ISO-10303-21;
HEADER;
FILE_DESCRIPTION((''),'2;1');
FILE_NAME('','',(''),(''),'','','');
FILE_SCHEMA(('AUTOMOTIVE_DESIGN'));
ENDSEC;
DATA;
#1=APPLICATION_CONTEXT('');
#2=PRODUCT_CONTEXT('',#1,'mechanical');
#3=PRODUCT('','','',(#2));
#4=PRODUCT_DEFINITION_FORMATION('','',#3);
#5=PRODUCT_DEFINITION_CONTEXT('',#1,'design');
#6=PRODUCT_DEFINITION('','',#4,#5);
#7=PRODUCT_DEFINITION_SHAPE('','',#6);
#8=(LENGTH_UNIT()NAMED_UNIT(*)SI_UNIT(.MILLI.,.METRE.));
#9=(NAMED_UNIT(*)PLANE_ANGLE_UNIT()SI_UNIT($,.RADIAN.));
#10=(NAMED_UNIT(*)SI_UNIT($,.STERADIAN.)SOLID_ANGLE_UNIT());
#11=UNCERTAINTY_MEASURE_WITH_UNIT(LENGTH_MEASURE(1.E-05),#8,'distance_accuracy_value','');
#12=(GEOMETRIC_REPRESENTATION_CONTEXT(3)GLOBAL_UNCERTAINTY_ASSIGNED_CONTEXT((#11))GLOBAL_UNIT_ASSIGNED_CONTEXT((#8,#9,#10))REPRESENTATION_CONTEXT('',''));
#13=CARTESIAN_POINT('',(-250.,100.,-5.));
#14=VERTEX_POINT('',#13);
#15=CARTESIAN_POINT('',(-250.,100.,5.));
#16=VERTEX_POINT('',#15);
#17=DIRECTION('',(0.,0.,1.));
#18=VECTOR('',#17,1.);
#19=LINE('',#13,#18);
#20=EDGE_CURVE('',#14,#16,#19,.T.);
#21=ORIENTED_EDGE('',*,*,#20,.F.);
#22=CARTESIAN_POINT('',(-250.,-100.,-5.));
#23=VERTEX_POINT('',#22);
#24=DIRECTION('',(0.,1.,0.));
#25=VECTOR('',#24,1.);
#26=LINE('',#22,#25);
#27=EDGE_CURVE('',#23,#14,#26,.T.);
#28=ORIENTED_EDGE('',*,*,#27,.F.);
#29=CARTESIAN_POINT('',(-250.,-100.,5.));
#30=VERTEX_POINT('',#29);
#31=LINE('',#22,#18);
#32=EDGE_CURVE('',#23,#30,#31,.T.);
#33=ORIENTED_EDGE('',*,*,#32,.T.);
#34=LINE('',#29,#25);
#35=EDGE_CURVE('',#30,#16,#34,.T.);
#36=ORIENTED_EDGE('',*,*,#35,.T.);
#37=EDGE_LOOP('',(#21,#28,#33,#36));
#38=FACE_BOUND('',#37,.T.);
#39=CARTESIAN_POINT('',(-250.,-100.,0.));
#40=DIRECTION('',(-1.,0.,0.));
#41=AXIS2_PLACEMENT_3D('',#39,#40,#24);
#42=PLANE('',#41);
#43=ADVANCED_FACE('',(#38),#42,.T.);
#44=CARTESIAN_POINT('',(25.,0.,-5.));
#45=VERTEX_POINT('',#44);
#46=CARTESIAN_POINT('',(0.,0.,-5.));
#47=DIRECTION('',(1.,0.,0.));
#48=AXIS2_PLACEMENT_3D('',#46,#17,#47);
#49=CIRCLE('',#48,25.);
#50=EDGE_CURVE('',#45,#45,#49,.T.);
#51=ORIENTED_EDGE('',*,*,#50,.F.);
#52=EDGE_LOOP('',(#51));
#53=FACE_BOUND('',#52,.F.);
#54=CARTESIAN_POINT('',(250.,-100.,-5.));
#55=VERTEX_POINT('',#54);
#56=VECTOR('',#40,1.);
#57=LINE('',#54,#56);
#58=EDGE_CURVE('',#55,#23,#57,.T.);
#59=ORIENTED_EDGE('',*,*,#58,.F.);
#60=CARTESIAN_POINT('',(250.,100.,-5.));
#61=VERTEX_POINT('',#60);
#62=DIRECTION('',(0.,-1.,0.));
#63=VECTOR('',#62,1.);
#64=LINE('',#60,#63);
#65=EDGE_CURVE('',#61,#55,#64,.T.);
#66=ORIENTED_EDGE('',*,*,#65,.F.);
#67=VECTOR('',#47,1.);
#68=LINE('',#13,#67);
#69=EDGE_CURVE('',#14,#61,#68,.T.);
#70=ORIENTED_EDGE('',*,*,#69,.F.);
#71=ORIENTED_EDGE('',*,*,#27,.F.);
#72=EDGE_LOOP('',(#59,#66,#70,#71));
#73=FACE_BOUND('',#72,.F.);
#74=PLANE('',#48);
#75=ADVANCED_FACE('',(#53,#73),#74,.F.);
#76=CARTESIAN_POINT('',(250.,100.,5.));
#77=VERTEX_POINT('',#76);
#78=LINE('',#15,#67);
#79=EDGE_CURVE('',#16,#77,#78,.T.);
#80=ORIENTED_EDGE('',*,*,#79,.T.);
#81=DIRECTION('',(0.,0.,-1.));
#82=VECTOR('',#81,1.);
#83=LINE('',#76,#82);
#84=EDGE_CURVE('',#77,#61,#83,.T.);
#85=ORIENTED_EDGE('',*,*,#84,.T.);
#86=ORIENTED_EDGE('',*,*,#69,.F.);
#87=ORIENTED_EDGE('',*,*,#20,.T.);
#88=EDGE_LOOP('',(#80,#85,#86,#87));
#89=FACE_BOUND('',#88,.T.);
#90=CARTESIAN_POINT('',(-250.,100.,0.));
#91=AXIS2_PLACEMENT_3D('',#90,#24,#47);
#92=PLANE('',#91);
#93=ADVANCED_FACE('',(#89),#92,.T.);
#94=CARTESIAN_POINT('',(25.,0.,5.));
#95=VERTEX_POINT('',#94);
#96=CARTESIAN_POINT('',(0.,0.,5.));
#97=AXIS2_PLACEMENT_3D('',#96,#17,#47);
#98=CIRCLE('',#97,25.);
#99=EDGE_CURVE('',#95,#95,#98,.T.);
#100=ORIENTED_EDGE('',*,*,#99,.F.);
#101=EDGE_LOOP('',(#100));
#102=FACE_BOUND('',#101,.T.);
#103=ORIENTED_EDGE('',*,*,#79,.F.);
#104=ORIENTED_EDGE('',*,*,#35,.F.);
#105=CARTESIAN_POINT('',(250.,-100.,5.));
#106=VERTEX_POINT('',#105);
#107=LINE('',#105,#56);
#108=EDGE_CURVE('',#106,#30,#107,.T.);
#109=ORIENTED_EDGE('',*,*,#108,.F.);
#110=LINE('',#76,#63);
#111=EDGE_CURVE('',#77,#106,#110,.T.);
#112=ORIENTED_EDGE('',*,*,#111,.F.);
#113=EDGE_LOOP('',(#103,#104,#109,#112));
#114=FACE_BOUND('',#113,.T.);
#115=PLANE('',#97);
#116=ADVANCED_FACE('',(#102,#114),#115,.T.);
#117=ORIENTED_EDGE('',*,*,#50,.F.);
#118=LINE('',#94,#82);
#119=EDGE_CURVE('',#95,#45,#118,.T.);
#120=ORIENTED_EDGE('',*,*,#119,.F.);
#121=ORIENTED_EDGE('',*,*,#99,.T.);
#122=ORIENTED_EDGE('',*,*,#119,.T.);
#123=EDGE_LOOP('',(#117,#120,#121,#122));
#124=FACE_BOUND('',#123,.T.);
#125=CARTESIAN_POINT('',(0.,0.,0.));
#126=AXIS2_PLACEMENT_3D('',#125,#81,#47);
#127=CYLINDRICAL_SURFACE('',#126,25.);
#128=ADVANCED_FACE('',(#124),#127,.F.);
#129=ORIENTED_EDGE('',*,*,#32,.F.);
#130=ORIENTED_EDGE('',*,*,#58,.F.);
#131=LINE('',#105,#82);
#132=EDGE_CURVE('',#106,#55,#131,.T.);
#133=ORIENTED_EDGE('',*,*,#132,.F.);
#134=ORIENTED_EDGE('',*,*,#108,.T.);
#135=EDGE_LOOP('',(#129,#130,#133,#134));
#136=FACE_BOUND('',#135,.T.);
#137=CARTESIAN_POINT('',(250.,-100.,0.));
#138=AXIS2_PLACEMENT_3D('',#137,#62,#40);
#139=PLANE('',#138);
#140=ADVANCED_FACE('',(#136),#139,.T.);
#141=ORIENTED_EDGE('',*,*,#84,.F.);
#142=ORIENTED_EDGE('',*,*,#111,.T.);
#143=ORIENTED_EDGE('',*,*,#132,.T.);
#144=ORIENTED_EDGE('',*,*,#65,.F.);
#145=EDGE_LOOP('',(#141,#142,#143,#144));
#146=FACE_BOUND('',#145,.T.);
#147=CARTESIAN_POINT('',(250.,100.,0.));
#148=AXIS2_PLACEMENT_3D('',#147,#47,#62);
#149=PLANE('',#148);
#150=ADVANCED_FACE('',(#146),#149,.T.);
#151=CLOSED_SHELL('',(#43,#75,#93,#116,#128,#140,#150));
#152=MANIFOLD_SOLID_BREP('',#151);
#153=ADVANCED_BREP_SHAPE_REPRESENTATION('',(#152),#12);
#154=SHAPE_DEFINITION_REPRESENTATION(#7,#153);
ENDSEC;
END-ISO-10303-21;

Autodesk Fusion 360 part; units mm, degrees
sketch "Sketch1" plane through (0, 0, 0) normal (0, 0, 1) x (1, 0, 0)
  circle A0 centre (0, 0) radius 25
  line L0 (-250, 100) -> (250, 100)
  line L1 (250, 100) -> (250, -100)
  line L2 (250, -100) -> (-250, -100)
  line L3 (-250, -100) -> (-250, 100)
  line L4 (-250, 0) -> (250, 0) construction
  line L5 (0, 100) -> (0, -100) construction
  dimension "Total_Width" = 500
  dimension "Total_Height" = 200
  dimension "Hole_Radius" = 25
extrude "Extrude1" add sketch "Sketch1" along normal mid plane 10
equation "Thickness = 1 cm"
